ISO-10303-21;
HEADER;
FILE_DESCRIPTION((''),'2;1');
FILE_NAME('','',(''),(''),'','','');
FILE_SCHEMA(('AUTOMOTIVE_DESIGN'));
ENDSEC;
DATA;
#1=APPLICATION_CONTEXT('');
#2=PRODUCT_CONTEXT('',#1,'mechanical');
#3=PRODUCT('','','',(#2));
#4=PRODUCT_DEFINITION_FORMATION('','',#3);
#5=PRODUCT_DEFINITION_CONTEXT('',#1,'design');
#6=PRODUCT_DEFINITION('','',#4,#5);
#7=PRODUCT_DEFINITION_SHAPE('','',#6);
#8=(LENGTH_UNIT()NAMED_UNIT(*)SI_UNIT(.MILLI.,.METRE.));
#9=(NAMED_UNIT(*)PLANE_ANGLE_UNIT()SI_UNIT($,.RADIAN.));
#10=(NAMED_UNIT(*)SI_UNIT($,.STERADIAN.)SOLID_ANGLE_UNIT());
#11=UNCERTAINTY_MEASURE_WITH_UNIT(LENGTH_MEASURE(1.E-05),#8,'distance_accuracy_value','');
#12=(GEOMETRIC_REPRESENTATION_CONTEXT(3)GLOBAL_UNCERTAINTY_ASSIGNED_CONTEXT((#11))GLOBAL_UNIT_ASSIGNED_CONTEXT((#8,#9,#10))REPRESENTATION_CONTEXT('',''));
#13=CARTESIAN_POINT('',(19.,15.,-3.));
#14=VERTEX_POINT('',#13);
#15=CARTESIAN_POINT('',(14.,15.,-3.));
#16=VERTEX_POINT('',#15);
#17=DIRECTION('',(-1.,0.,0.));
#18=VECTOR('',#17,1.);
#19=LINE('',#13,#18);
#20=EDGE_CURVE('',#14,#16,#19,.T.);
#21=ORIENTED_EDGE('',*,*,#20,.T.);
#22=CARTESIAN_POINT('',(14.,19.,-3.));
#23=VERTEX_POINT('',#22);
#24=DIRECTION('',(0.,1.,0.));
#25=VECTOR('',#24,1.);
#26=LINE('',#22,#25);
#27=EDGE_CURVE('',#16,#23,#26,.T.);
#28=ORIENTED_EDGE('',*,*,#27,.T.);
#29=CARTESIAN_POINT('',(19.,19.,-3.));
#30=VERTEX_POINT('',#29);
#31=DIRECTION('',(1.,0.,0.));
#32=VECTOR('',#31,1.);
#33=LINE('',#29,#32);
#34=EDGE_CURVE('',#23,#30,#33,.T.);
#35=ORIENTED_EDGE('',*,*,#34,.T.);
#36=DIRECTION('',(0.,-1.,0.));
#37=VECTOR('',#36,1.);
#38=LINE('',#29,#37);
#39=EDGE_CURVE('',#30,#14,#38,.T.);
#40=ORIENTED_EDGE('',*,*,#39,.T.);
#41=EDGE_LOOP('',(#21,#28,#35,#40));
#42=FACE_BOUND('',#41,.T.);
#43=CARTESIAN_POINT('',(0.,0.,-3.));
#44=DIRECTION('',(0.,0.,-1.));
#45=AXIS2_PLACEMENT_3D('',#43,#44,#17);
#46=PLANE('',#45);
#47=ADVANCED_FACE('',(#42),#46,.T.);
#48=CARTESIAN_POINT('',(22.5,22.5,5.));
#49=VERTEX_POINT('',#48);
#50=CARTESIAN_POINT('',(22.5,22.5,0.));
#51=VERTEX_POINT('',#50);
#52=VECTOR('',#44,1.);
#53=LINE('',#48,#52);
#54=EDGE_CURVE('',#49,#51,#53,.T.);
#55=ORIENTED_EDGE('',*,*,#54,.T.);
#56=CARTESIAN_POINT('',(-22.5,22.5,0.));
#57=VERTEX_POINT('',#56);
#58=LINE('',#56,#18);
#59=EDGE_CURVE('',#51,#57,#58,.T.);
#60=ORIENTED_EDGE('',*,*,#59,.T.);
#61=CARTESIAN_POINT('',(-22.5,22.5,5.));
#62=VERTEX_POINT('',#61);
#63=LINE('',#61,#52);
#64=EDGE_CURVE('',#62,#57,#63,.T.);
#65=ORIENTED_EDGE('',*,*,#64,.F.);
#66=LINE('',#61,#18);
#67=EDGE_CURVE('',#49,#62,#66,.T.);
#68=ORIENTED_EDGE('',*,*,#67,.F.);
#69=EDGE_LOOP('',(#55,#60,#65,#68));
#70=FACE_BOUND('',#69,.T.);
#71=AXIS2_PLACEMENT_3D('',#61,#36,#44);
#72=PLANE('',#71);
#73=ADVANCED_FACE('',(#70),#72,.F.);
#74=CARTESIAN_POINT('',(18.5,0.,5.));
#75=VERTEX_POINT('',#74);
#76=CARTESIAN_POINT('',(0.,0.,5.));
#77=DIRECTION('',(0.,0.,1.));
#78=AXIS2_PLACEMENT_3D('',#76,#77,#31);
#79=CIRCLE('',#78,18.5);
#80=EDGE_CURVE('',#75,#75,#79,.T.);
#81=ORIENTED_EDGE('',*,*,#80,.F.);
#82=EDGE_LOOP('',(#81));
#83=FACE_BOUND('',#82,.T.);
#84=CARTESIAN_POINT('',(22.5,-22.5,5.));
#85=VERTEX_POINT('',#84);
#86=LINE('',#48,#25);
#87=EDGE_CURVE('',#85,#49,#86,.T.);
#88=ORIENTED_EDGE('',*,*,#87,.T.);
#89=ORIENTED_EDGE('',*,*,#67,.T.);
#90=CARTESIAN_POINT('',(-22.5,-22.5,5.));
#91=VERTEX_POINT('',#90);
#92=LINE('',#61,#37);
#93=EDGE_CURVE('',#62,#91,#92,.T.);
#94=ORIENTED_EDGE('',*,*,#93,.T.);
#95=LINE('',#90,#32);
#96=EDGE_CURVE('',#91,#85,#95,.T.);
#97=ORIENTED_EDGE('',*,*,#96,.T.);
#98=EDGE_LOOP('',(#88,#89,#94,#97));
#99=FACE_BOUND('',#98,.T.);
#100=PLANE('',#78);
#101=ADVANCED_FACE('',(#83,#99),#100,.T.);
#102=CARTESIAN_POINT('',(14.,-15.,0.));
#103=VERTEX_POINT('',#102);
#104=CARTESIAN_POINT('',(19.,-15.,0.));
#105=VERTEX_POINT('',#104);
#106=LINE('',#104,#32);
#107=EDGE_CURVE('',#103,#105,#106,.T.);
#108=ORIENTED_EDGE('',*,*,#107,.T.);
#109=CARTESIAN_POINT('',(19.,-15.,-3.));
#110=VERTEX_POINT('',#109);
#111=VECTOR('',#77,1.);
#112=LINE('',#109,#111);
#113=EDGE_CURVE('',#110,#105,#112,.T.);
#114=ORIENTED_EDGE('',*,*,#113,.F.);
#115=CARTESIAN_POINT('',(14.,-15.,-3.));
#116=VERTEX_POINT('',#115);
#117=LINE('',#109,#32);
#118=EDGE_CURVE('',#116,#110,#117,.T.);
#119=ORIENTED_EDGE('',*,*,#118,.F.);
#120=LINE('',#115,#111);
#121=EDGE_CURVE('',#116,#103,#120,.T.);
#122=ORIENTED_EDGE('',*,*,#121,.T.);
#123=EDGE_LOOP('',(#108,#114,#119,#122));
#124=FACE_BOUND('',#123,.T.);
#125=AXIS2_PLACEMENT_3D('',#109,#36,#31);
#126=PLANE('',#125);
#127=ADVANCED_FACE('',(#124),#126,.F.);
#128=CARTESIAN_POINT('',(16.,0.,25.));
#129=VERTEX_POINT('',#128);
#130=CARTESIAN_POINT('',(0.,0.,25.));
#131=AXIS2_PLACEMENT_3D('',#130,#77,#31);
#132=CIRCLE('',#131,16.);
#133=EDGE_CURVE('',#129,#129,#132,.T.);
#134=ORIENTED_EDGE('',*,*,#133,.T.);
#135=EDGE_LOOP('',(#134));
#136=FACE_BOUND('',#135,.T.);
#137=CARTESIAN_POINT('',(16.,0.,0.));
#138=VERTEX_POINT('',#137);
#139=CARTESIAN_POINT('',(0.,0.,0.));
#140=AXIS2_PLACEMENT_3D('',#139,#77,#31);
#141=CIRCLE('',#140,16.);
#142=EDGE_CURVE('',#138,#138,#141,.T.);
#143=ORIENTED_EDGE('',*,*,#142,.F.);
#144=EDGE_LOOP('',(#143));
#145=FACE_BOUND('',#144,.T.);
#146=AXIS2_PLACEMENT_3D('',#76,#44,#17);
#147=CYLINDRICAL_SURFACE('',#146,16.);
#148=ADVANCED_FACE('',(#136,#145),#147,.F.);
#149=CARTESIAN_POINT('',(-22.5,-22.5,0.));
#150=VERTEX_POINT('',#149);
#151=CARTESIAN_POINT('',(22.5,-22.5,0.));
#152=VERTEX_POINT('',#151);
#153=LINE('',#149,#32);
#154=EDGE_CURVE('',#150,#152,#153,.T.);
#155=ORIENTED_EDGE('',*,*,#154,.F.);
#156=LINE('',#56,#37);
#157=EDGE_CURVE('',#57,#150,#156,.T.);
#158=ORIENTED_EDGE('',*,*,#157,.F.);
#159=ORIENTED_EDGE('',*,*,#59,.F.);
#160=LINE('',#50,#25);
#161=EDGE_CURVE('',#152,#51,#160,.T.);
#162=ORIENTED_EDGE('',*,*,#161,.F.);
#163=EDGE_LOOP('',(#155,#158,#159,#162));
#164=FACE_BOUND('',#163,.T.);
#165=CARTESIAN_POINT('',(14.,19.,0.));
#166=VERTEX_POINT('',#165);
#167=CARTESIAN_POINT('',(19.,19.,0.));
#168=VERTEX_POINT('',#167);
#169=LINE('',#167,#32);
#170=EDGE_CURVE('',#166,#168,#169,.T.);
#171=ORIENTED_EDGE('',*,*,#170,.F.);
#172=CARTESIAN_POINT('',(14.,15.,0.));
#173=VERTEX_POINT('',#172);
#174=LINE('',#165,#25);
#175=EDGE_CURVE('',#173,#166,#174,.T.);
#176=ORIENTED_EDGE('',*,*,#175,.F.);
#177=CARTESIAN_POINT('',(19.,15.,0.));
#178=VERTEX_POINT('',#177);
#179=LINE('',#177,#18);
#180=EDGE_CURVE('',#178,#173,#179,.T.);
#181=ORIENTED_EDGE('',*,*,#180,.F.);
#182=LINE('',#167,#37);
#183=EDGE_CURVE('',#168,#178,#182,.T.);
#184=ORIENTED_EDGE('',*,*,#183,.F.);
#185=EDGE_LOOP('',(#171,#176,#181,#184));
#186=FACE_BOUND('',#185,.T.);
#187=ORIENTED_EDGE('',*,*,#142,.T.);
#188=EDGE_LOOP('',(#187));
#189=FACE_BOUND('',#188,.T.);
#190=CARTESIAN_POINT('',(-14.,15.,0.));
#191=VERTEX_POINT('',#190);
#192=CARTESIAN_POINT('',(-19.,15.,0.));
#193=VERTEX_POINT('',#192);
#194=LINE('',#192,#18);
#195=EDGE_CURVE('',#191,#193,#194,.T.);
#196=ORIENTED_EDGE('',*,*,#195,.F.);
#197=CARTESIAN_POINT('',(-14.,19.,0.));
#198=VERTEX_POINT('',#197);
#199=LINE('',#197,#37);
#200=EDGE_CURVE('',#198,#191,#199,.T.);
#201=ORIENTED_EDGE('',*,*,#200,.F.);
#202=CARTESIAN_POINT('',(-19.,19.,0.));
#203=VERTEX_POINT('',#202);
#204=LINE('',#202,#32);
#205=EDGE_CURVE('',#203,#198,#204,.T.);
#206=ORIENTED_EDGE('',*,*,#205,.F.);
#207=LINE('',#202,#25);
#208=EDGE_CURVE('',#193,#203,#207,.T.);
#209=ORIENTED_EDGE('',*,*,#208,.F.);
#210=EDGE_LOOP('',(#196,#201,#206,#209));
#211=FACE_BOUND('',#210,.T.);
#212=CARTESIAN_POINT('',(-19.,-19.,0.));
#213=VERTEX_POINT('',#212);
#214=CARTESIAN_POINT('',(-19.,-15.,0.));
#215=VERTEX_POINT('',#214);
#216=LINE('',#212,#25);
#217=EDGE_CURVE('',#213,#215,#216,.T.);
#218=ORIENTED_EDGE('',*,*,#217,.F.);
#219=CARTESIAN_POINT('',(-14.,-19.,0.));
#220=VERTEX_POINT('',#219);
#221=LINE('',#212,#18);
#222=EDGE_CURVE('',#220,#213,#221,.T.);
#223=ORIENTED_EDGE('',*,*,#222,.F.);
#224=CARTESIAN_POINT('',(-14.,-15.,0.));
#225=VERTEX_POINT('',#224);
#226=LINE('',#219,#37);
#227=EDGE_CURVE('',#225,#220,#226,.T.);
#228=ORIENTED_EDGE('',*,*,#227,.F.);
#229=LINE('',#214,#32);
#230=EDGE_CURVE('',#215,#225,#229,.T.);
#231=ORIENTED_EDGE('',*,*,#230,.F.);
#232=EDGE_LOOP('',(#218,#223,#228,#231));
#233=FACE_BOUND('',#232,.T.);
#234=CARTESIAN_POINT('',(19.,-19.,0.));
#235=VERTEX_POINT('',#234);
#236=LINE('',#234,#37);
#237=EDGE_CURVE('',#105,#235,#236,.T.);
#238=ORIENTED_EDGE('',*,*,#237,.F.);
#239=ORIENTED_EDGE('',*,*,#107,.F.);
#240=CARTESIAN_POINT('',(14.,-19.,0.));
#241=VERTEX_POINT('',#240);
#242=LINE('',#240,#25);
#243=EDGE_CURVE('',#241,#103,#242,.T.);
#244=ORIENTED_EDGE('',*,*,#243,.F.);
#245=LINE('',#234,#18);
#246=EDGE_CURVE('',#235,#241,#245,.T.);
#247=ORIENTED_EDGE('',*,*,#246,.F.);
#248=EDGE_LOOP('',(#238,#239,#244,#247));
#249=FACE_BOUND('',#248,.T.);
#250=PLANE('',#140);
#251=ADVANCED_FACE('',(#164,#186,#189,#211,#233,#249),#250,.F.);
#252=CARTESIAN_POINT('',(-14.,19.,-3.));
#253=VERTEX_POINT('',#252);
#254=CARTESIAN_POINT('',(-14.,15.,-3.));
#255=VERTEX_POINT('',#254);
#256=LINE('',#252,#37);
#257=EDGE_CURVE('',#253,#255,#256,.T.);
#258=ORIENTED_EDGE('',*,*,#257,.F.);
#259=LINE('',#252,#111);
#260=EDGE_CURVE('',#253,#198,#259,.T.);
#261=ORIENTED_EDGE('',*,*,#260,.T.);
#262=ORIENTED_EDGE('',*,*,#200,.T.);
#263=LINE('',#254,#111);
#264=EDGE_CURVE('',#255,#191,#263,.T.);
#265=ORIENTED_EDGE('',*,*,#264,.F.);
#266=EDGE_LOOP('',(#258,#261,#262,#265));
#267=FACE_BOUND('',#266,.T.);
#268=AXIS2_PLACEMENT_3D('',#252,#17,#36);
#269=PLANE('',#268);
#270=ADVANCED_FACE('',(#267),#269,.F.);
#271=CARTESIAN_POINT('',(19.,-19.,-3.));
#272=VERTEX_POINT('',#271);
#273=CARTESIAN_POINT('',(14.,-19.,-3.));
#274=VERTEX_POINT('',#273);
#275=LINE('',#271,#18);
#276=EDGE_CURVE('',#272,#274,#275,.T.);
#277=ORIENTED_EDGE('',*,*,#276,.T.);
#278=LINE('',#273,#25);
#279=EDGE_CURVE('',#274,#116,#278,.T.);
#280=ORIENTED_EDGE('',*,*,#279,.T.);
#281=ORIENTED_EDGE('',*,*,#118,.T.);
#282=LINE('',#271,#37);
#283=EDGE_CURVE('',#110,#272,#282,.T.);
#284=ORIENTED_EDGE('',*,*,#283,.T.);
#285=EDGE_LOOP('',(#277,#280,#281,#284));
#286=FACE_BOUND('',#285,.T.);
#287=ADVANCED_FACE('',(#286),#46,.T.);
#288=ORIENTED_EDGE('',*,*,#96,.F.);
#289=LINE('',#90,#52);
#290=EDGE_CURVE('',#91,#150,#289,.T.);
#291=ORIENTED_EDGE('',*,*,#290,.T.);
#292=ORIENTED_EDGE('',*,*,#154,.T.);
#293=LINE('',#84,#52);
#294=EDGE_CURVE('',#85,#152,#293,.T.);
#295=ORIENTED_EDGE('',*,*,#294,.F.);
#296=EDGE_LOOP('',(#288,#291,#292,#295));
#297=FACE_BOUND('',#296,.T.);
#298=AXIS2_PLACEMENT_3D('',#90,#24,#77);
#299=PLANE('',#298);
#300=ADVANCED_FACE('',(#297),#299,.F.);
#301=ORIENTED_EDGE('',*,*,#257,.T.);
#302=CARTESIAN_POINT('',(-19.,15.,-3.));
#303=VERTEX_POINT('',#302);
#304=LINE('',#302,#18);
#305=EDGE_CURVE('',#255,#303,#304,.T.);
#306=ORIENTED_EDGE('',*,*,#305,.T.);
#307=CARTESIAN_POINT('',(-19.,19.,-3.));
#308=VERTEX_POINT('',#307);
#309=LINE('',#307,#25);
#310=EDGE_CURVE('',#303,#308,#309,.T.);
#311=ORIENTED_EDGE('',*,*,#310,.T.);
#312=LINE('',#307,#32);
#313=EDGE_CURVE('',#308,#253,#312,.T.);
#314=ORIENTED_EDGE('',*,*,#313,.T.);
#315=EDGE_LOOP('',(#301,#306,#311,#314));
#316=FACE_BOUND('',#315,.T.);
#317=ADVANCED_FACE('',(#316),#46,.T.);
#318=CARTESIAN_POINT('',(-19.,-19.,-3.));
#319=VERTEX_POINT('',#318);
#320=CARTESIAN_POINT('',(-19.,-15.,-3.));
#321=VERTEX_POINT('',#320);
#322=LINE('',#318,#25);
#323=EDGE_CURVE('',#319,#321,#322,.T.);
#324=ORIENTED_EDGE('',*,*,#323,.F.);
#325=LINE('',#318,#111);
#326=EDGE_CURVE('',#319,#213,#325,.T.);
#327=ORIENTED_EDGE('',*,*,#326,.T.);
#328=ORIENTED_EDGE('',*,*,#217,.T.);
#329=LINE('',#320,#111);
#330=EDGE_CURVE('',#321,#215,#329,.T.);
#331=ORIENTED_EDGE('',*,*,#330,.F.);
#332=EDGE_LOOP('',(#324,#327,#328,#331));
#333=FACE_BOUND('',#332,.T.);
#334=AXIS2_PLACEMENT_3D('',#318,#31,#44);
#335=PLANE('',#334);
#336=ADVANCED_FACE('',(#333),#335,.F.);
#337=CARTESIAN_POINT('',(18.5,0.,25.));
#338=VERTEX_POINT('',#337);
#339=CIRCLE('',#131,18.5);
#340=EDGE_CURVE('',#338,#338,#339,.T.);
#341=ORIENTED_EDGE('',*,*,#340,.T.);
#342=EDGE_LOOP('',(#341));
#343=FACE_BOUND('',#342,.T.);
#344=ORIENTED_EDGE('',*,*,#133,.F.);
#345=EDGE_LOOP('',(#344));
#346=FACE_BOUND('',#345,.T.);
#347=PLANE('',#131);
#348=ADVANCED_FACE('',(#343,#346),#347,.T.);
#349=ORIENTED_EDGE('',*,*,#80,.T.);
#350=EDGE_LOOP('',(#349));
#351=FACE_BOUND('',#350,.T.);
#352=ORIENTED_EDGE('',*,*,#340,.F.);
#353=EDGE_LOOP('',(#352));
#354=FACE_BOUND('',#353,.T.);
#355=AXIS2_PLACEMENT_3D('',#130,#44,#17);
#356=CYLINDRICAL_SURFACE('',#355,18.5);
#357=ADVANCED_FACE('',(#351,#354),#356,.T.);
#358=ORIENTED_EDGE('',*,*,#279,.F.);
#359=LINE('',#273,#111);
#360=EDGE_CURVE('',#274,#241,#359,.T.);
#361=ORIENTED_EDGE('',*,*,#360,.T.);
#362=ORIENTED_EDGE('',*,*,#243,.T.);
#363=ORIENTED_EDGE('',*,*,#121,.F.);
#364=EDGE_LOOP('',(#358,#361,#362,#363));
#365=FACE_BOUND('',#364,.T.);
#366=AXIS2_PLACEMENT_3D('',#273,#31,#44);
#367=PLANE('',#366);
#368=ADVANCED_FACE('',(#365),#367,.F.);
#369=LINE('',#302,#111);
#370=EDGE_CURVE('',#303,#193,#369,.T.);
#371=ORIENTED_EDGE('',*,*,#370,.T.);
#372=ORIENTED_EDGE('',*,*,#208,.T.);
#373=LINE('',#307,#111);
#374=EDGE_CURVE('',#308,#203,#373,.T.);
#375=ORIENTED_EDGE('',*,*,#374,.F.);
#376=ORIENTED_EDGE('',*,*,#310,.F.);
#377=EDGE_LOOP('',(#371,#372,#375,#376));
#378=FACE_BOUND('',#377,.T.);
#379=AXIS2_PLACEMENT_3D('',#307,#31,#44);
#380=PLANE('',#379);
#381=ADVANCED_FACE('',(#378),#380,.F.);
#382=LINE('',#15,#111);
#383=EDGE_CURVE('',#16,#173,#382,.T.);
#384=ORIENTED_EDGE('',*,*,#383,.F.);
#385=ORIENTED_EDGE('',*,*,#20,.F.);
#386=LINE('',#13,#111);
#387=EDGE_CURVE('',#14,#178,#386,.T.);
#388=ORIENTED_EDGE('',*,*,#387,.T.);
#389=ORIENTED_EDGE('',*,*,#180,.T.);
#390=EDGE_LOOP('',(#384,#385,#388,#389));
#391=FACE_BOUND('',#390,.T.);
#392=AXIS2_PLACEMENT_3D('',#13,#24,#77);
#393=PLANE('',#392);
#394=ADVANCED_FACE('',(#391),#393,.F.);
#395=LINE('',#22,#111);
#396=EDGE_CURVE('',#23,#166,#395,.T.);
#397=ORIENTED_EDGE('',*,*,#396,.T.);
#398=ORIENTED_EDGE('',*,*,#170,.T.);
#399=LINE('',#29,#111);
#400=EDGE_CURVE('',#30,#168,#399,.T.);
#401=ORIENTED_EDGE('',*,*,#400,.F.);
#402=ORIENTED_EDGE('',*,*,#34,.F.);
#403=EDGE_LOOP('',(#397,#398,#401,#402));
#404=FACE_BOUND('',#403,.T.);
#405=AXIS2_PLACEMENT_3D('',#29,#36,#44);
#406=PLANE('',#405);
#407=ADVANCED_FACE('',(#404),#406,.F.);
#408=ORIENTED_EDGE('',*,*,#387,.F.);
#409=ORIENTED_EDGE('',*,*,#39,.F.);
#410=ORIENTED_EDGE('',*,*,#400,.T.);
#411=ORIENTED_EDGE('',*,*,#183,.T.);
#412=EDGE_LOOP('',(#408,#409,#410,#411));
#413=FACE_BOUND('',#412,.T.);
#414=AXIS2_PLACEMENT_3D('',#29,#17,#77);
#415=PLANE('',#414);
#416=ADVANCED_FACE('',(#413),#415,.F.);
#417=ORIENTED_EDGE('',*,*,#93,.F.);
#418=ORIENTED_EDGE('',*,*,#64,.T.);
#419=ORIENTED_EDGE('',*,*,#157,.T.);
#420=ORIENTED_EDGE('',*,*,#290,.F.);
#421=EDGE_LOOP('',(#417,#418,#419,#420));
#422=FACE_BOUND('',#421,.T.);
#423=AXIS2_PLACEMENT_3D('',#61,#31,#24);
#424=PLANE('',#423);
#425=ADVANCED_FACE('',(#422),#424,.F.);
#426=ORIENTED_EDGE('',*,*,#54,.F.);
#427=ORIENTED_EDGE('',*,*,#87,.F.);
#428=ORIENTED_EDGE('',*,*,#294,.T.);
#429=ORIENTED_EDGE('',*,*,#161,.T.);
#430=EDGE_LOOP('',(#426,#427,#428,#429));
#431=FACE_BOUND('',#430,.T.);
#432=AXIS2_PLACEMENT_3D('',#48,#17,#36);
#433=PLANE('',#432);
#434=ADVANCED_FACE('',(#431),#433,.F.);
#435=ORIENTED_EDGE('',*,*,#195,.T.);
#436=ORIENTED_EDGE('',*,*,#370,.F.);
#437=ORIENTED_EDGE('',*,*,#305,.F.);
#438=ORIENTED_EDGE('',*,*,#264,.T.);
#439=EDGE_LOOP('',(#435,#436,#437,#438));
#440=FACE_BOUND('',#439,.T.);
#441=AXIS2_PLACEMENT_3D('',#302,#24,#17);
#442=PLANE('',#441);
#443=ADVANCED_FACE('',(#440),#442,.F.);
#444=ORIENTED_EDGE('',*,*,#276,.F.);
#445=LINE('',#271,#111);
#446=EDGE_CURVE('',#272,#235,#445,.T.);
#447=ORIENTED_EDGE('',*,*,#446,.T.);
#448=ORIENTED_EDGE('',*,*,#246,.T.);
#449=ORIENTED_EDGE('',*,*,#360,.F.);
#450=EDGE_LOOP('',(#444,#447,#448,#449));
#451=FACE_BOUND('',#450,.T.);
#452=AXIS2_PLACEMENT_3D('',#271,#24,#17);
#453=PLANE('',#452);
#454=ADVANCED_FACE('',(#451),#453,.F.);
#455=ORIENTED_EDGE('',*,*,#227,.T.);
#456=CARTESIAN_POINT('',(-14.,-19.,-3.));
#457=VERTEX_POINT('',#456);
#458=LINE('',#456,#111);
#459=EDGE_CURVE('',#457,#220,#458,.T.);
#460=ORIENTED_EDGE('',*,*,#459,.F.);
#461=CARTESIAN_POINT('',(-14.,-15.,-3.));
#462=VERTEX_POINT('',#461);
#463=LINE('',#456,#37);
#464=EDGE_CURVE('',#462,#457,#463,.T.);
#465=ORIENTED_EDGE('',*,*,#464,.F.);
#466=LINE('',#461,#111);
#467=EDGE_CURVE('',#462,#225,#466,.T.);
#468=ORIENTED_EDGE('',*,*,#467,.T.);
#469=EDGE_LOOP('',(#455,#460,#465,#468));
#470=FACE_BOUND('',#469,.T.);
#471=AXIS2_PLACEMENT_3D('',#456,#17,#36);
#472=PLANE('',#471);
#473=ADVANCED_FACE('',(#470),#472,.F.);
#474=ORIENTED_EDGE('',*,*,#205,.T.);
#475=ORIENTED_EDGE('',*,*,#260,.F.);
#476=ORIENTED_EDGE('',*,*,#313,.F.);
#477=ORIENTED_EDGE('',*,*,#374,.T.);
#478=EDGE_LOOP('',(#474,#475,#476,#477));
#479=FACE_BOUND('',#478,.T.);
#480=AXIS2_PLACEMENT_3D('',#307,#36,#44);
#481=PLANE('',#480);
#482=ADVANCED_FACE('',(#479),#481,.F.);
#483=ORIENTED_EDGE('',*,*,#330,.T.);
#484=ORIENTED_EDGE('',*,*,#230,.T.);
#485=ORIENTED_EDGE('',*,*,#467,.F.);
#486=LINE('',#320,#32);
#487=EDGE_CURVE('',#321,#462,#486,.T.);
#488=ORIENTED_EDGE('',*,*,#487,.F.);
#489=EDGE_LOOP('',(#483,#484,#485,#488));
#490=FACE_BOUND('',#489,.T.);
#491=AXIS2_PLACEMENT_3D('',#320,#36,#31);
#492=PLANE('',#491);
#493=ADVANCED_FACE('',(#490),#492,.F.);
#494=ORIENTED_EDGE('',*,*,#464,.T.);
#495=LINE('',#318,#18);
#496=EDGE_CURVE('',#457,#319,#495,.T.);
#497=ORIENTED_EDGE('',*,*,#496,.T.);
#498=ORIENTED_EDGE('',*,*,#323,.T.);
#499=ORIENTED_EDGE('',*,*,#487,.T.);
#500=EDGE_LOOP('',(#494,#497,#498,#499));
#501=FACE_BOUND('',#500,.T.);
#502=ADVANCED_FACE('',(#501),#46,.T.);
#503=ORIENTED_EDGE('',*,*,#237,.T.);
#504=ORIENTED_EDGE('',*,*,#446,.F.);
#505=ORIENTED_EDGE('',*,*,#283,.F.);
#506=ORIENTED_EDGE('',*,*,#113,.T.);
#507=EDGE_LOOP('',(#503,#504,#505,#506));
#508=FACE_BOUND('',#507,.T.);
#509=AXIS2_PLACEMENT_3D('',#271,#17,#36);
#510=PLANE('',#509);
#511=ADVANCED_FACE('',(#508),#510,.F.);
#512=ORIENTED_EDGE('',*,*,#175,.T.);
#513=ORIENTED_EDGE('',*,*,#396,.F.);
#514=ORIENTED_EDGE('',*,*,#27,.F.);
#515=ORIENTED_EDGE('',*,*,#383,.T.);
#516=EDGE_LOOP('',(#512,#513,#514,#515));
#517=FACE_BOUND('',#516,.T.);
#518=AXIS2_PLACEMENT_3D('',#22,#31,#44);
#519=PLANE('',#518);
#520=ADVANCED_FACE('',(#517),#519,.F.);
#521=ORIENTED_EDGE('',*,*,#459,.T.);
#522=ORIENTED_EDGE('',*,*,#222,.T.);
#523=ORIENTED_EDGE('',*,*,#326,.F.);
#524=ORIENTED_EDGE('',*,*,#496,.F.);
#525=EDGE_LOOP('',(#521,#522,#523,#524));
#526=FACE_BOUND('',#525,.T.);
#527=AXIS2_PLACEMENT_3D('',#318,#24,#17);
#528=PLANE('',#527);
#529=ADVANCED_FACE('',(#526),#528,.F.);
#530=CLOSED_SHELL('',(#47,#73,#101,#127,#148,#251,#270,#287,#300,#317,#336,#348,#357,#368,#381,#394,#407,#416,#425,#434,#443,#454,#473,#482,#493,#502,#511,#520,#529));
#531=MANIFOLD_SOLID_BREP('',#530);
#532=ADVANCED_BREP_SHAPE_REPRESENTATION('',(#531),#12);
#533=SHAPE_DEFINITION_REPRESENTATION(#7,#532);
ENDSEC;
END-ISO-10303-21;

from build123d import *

# Parameters (mm, degrees)
ESQUISSE1_W        = 45
ESQUISSE1_H        = 45
ESQUISSE1_R        = 16
BOSS_EXTRU_1_DEPTH = 5
ESQUISSE2_R        = 18.5
ESQUISSE2_R_2      = 16
BOSS_EXTRU_2_DEPTH = 20
ESQUISSE3_W        = 5
ESQUISSE3_H        = 4
BOSS_EXTRU_3_DEPTH = 3


with BuildPart() as part:
    # Esquisse1 → Boss.-Extru.1 (new body)
    with BuildSketch(Plane.XY):
        Rectangle(ESQUISSE1_W, ESQUISSE1_H)
        Circle(ESQUISSE1_R, mode=Mode.SUBTRACT)
    extrude(amount=BOSS_EXTRU_1_DEPTH)

    # Esquisse2 → Boss.-Extru.2 (add)
    with BuildSketch(Plane.XY.offset(5)):
        Circle(ESQUISSE2_R)
        Circle(ESQUISSE2_R_2, mode=Mode.SUBTRACT)
    extrude(amount=BOSS_EXTRU_2_DEPTH)

    # Esquisse3 → Boss.-Extru.3 (add)
    with BuildSketch(Plane(origin=(0, 0, 0), x_dir=(-1, 0, 0), z_dir=(0, 0, -1))):
        with Locations((16.5, 17)):
            Rectangle(ESQUISSE3_W, ESQUISSE3_H)
        with Locations((-16.5, 17)):
            Rectangle(ESQUISSE3_W, ESQUISSE3_H)
        with Locations((-16.5, -17)):
            Rectangle(ESQUISSE3_W, ESQUISSE3_H)
        with Locations((16.5, -17)):
            Rectangle(ESQUISSE3_W, ESQUISSE3_H)
    extrude(amount=BOSS_EXTRU_3_DEPTH)


solid = part.part
